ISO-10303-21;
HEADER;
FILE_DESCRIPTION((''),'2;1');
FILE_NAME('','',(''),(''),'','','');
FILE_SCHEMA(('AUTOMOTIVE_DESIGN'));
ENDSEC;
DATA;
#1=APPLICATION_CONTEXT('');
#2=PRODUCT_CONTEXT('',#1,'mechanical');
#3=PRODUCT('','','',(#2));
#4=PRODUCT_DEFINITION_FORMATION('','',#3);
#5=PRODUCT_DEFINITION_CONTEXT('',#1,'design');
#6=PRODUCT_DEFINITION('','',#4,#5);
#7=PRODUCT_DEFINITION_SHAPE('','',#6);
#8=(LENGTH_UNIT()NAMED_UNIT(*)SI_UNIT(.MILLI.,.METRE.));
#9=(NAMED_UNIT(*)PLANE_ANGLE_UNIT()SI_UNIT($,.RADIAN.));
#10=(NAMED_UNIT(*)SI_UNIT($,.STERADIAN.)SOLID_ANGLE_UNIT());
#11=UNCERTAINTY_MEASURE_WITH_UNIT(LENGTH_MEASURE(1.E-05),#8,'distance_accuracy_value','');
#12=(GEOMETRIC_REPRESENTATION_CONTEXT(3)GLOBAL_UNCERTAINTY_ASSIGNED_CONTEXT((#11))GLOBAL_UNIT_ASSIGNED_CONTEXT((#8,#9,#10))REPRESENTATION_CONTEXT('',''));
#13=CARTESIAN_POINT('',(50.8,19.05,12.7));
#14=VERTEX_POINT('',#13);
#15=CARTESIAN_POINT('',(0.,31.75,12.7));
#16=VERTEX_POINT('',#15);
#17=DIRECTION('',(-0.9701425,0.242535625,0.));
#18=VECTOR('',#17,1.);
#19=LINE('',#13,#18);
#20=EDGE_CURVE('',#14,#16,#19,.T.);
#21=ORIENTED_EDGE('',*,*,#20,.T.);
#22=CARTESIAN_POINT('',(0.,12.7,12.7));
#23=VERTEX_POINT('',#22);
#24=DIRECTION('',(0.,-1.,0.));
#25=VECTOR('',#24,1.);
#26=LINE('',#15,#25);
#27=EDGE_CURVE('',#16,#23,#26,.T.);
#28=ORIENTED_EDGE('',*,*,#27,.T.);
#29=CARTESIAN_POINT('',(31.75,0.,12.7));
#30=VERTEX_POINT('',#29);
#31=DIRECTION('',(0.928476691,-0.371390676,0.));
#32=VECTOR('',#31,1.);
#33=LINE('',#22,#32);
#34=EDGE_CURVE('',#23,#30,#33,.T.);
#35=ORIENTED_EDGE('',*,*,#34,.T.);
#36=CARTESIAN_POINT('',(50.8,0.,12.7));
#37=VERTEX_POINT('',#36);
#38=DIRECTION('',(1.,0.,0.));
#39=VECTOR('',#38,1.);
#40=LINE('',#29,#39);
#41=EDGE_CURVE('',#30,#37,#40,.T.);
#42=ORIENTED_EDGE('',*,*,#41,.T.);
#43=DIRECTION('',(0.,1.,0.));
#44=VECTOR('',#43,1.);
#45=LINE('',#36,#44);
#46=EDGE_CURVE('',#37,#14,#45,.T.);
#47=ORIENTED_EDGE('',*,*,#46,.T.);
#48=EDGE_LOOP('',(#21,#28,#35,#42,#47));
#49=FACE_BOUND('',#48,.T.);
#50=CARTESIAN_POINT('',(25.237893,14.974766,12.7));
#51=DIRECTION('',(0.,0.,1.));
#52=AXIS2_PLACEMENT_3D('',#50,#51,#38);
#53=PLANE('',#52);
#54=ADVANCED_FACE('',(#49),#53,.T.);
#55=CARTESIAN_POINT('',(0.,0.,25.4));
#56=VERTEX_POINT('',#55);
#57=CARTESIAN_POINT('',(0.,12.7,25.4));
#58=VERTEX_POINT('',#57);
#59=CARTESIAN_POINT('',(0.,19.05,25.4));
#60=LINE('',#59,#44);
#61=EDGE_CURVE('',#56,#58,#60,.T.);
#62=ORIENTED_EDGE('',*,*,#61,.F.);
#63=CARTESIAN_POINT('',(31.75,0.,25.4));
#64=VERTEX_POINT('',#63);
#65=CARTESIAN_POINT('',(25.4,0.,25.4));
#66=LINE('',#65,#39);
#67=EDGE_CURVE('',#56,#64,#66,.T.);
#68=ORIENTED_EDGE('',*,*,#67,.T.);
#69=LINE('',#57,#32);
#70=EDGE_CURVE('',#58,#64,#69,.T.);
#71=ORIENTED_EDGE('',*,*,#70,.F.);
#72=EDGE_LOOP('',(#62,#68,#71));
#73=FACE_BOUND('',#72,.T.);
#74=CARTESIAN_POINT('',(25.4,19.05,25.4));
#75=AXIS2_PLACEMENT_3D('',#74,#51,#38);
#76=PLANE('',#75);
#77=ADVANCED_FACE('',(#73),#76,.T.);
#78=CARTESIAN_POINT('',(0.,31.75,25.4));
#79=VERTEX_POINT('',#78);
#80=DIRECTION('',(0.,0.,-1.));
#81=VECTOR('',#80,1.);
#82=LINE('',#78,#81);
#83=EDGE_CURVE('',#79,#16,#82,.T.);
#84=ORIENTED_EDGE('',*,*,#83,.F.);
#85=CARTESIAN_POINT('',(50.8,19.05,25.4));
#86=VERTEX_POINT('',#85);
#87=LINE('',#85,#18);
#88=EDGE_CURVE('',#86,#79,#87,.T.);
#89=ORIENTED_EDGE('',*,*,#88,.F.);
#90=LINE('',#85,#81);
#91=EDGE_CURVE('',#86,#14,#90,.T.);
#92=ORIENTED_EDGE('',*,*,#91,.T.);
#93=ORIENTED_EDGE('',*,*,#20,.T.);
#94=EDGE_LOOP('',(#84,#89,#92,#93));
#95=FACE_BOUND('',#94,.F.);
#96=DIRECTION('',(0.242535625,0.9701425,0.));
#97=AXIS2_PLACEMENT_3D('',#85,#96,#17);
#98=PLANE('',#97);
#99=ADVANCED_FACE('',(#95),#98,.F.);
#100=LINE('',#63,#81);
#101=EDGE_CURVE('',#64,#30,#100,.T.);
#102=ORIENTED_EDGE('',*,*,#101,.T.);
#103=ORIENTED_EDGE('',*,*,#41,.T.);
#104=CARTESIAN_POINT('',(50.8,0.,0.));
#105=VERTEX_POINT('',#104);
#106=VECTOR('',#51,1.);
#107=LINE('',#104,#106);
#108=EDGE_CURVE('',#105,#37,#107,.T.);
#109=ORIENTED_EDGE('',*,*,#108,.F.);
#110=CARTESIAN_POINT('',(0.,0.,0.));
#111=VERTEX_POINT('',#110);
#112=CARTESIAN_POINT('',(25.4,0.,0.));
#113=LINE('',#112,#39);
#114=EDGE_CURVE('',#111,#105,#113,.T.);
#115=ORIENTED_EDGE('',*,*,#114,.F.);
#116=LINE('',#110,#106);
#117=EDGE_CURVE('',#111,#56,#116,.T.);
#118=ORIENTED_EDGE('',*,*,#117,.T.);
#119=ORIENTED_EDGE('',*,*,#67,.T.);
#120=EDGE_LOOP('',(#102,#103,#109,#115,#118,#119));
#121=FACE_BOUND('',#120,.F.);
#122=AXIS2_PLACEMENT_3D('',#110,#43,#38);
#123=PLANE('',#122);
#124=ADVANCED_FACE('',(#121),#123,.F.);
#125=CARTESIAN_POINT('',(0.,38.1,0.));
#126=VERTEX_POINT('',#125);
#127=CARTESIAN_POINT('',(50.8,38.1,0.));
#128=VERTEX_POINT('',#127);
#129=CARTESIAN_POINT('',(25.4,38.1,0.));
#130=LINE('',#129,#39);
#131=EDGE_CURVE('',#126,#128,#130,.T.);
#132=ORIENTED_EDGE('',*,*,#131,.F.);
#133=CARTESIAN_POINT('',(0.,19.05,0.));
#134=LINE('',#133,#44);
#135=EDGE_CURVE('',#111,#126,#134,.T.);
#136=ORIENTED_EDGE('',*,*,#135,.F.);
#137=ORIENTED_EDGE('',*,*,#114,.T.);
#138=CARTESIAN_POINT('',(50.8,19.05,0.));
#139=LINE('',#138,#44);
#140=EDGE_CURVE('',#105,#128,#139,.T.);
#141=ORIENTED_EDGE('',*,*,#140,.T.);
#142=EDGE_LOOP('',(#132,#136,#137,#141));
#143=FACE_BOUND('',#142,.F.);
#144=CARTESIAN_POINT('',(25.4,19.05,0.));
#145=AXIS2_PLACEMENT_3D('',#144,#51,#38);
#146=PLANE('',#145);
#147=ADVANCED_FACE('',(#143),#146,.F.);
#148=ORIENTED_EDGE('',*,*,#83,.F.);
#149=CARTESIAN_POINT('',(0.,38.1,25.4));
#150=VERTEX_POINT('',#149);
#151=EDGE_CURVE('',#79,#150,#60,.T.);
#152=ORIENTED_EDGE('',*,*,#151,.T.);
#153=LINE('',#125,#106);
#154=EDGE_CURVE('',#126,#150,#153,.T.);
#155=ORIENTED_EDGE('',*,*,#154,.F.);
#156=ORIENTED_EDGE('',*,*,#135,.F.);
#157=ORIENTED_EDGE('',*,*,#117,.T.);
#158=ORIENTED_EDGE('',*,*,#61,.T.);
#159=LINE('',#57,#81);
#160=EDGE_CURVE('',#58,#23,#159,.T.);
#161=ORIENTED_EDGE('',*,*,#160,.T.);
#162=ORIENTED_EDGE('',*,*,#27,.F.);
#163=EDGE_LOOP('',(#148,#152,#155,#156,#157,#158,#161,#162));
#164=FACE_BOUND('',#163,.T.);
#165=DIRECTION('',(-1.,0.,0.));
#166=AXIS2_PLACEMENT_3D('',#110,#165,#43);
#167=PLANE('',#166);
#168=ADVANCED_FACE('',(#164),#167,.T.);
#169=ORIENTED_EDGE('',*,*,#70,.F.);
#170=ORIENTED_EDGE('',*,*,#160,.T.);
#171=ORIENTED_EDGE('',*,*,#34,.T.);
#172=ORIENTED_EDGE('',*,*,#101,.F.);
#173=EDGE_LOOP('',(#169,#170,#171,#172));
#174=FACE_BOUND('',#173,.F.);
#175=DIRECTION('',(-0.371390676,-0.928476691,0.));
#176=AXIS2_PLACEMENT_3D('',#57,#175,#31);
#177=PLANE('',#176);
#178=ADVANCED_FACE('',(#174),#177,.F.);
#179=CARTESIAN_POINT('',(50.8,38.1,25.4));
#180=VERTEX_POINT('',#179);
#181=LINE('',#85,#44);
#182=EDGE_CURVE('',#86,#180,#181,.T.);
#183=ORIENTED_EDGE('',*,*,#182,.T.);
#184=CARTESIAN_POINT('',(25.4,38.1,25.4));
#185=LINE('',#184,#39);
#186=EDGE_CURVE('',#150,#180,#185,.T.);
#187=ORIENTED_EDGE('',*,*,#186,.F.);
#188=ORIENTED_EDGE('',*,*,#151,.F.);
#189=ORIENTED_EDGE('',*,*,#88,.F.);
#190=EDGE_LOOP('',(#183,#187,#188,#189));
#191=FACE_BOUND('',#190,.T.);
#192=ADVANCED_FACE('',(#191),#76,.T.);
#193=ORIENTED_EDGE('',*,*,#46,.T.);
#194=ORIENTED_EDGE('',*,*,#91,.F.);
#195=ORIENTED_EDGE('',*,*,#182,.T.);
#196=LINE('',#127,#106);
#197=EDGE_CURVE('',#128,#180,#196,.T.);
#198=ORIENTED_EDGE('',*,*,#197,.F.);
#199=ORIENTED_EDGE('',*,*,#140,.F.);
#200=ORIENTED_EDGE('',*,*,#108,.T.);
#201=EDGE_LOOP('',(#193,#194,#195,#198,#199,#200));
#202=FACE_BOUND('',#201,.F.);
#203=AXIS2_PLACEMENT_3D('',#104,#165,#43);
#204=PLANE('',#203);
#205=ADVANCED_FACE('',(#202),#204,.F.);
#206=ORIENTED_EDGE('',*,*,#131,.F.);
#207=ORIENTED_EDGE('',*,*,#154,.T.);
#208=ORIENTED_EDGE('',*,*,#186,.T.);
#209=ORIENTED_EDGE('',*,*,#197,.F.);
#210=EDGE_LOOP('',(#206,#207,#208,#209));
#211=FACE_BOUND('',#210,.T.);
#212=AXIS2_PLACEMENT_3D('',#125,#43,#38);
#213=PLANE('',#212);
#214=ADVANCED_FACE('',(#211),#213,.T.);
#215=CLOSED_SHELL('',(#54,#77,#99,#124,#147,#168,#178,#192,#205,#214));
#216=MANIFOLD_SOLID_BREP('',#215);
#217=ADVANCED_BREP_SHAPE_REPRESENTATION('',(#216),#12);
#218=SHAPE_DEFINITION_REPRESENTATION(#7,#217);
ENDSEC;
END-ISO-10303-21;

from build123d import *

# Parameters (mm, degrees)
F0_W     = 50.8
F0_H     = 38.1
F1_DEPTH = 25.4
F4_DEPTH = 12.7


with BuildPart() as f1:
    # F0 (on Top) → F1 (new body)
    with BuildSketch(Plane.XY):
        with Locations((25.4, 19.05)):
            Rectangle(F0_W, F0_H)
    extrude(amount=F1_DEPTH)

    # F3 (on face) → F4 (cut)
    with BuildSketch(Plane.XY.offset(25.4)):
        Polygon((50.8, 0), (50.8, 19.05), (0, 31.75), (0, 12.7), (31.75, 0), align=None)
    extrude(amount=-F4_DEPTH, mode=Mode.SUBTRACT)


solid = f1.part
